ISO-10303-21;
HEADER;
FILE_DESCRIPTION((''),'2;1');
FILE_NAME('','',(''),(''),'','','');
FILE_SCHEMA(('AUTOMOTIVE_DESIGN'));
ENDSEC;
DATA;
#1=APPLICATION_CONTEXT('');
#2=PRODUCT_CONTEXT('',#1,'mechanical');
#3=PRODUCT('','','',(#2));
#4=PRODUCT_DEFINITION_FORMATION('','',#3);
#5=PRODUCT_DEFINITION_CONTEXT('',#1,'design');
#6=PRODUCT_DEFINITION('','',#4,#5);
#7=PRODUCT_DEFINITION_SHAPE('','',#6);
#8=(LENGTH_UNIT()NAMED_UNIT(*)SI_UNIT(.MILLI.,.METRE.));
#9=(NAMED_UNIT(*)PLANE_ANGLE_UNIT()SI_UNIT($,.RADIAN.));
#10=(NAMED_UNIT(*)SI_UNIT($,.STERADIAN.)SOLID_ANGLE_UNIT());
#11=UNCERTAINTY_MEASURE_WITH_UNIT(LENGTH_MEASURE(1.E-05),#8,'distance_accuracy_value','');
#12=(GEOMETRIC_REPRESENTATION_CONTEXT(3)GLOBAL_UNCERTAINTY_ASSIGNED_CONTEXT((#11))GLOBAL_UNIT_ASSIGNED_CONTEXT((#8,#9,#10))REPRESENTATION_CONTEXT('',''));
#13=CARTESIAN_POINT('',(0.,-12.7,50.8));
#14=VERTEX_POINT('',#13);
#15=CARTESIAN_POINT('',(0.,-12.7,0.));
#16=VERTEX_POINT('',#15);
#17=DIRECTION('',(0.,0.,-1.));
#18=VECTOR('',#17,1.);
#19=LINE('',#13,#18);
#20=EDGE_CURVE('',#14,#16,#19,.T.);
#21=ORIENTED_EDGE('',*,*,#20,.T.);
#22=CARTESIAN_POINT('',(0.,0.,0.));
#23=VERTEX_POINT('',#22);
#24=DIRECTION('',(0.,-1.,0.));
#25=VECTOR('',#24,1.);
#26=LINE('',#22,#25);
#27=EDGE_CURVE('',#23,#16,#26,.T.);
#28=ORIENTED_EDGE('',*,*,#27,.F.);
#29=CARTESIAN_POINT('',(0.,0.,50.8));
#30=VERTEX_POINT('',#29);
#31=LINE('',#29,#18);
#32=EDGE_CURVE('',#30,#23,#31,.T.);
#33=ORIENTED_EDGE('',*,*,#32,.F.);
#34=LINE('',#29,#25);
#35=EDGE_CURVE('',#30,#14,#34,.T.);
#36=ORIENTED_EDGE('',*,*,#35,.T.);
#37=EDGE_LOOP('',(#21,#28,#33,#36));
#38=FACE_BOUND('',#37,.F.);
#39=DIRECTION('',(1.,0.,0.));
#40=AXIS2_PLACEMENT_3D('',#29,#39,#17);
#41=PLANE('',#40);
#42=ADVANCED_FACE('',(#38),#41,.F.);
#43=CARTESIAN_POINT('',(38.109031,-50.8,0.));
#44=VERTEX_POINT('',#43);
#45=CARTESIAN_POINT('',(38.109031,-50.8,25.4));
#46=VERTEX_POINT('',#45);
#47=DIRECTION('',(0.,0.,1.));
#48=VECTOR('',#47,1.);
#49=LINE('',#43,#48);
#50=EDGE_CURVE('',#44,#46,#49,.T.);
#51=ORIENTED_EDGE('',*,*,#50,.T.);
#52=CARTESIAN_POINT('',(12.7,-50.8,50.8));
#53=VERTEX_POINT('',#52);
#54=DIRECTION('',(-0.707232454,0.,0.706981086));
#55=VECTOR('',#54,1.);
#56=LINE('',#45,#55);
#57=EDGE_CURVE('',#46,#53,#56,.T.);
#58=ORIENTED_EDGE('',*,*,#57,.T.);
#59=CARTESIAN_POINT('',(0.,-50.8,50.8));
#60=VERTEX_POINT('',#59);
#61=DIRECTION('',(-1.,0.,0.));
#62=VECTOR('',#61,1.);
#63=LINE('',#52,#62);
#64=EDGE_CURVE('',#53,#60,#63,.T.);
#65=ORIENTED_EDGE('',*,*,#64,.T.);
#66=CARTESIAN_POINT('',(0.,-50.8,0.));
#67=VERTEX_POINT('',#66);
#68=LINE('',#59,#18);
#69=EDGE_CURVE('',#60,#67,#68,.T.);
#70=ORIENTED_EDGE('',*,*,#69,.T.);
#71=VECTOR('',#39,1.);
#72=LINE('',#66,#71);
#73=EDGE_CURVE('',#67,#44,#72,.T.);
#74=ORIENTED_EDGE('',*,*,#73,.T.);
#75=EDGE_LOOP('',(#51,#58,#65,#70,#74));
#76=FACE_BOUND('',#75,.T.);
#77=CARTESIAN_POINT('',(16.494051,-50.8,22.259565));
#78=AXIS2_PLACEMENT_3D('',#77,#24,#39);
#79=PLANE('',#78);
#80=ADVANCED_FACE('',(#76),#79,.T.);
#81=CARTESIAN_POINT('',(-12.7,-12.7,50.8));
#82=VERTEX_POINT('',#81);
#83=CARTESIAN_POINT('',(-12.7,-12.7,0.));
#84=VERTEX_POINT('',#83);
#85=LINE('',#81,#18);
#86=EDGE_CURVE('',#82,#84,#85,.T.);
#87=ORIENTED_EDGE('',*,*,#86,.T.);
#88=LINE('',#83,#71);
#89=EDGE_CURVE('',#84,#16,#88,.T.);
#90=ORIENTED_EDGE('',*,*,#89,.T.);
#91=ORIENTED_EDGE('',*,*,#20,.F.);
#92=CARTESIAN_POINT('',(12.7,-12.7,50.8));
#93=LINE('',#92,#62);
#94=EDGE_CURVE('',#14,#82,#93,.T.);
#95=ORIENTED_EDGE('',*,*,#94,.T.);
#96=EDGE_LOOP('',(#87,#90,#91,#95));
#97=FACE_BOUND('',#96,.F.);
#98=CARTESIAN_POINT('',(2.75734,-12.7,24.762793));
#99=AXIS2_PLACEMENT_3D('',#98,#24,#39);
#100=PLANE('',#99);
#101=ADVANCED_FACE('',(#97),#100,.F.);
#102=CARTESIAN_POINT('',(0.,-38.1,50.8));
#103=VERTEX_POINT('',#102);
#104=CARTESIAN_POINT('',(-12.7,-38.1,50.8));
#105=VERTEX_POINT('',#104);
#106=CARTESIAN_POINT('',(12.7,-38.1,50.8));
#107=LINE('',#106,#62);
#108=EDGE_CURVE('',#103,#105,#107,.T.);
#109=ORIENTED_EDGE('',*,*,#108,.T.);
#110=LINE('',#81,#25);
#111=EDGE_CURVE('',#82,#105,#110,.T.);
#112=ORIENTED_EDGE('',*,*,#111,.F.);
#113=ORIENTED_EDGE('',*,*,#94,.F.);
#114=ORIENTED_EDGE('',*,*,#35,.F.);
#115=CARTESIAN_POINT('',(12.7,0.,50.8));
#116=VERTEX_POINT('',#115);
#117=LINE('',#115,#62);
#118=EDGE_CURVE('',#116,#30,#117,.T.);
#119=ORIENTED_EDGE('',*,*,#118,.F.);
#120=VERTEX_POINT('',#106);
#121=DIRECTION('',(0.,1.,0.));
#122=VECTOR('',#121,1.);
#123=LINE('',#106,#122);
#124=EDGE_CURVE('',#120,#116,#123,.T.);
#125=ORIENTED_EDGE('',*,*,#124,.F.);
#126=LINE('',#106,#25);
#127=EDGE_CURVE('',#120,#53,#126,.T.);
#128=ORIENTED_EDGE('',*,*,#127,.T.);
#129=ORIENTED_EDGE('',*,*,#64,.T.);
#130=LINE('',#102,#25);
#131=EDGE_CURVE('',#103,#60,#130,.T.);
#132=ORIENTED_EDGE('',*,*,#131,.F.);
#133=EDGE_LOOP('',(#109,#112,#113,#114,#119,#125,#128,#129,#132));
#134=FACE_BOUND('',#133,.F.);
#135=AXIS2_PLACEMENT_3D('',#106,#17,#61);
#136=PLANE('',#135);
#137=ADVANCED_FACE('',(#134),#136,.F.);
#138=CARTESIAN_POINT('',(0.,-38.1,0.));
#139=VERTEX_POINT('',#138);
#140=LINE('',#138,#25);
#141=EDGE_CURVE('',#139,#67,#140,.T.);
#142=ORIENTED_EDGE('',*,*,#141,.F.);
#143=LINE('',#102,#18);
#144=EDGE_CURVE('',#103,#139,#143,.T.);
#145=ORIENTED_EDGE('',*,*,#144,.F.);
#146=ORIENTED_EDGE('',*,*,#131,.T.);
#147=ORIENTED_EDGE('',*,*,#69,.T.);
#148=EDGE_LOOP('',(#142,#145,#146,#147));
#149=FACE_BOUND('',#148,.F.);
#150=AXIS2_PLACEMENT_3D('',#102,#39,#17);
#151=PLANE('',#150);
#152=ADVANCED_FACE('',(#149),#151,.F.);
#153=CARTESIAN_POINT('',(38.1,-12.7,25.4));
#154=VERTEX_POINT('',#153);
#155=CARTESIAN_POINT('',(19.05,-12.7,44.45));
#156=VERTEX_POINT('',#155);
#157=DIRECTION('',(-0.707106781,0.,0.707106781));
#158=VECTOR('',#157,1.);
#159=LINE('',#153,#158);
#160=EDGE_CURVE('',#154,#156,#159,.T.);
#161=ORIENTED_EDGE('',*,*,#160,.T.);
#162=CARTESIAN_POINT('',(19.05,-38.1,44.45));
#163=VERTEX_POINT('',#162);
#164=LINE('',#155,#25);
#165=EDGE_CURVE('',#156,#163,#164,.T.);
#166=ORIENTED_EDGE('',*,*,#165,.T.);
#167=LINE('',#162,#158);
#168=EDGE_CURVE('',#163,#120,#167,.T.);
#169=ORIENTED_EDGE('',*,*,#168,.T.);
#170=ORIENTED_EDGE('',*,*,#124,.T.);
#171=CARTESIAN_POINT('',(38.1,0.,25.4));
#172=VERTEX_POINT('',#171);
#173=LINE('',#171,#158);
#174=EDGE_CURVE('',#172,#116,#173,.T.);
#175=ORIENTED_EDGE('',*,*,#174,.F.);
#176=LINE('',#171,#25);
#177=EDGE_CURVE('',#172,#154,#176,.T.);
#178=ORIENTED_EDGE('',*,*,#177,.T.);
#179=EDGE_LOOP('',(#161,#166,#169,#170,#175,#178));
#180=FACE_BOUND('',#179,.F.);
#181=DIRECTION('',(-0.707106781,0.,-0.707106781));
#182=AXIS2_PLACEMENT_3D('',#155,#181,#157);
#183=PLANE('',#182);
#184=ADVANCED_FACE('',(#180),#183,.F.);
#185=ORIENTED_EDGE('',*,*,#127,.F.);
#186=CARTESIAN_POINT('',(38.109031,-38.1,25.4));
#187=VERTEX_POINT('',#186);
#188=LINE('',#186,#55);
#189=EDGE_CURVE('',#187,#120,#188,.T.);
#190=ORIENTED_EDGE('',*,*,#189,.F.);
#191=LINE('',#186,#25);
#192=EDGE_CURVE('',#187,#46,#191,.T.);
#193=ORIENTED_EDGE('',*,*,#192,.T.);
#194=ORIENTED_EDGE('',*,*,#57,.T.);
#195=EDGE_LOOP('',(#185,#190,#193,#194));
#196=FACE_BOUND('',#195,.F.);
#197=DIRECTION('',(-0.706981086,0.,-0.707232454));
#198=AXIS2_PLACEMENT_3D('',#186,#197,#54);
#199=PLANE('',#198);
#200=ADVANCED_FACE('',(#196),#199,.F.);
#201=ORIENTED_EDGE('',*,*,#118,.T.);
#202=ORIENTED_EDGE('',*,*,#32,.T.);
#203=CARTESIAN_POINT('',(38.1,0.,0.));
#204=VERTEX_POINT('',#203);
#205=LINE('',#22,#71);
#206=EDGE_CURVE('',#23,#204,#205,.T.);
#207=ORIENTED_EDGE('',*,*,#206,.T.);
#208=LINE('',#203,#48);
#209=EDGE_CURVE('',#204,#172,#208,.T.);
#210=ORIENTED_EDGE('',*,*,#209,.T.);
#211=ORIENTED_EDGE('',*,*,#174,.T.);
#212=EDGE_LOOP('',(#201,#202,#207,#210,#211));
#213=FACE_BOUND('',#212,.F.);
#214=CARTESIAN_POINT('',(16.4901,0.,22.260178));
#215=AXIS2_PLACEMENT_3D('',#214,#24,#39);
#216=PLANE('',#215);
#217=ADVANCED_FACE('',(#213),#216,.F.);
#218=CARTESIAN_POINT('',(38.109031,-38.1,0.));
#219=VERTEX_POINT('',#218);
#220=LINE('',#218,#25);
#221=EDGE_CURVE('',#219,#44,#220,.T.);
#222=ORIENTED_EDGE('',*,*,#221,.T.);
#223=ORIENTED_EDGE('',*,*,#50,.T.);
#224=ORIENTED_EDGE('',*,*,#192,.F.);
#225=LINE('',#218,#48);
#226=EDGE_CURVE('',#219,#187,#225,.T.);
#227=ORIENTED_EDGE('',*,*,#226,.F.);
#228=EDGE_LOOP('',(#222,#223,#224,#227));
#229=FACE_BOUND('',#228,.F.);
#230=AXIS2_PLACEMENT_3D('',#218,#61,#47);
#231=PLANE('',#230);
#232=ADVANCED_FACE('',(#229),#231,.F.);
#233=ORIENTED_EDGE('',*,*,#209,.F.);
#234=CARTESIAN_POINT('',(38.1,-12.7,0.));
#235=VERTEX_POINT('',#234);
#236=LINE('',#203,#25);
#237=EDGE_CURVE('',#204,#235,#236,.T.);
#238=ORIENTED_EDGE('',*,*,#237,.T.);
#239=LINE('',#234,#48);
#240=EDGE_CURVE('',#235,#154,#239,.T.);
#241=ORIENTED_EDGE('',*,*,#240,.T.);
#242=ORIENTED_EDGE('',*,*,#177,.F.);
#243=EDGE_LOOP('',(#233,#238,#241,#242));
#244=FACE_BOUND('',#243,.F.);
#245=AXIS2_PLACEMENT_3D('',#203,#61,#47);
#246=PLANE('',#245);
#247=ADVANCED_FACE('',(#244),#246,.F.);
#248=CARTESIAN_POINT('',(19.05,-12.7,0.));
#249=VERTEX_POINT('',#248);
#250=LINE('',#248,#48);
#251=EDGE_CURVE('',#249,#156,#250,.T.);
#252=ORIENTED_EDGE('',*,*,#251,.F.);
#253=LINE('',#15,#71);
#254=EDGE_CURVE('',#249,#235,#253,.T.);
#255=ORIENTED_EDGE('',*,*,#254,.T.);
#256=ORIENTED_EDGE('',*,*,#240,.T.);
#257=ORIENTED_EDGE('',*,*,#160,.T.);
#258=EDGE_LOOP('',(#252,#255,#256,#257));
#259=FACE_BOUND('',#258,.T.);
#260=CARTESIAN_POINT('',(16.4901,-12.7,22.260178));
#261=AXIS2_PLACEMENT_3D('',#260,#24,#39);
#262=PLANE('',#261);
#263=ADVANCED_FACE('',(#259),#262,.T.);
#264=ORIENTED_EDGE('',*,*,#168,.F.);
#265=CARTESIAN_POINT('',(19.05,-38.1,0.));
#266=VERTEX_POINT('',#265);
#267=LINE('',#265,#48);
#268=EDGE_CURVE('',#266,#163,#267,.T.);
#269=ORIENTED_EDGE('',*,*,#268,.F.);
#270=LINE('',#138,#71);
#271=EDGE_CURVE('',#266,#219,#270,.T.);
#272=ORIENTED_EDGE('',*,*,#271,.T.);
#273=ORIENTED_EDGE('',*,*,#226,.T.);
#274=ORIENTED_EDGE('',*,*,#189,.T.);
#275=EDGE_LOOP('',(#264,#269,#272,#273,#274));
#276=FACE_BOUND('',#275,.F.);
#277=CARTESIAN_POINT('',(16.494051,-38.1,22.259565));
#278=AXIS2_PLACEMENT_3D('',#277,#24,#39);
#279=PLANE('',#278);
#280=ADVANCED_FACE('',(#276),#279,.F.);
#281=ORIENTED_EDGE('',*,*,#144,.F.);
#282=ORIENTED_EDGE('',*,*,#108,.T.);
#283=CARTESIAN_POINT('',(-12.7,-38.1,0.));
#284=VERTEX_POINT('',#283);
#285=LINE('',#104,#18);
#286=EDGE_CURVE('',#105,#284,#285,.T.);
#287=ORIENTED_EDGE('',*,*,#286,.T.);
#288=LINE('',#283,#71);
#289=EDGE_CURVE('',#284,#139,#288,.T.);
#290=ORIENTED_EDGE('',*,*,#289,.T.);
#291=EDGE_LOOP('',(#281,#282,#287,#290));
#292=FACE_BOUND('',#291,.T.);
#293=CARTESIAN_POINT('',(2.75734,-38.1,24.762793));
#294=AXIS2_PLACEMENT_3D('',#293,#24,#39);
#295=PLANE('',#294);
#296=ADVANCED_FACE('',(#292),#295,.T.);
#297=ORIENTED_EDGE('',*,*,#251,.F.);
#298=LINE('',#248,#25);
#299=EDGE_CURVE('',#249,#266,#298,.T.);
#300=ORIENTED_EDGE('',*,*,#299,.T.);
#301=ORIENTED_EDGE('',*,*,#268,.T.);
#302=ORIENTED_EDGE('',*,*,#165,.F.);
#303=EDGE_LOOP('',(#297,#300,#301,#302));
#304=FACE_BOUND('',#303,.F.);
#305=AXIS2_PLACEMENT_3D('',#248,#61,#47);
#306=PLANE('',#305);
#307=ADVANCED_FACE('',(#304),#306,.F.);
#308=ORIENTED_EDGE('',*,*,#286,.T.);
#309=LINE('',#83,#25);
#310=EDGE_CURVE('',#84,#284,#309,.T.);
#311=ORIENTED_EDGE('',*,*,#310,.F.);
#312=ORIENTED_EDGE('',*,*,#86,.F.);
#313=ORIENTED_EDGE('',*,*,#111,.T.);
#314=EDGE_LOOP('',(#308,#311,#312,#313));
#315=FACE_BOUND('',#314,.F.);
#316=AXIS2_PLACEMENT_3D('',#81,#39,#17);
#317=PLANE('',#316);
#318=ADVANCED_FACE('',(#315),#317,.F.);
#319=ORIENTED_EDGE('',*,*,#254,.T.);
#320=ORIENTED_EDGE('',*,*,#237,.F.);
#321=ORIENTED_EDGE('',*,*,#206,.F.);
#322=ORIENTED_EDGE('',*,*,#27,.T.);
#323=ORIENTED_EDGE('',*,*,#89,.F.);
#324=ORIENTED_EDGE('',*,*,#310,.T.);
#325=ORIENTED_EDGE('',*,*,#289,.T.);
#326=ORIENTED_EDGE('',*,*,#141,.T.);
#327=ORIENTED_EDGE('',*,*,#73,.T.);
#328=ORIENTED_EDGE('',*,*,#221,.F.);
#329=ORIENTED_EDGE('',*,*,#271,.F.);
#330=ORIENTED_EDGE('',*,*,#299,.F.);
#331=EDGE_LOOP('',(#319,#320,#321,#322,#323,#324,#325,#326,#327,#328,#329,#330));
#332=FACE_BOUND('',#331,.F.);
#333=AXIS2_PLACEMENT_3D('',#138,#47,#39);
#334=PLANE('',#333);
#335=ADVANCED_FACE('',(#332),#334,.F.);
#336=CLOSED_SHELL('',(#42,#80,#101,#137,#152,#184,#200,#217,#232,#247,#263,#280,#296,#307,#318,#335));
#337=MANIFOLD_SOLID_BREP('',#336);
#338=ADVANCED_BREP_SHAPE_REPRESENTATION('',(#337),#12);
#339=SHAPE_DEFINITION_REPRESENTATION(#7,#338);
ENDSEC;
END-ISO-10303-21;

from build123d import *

# Parameters (mm, degrees)
F1_DEPTH = 12.7
F3_DEPTH = 25.4
F5_DEPTH = 12.7


with BuildPart() as f1:
    # F0 (on Front) → F1 (new body)
    with BuildSketch(Plane.XZ):
        Polygon((0, 50.8), (0, 0), (38.1, 0), (38.1, 25.4), (12.7, 50.8), align=None)
    extrude(amount=F1_DEPTH)

    # F2 (on face) → F3 (join)
    with BuildSketch(Plane.XZ.offset(12.7)):
        Polygon((-12.7, 0), (0, 0), (19.05, 0), (19.05, 44.45), (12.7, 50.8), (0, 50.8), (-12.7, 50.8), align=None)
    extrude(amount=F3_DEPTH)

    # F4 (on face) → F5 (join)
    with BuildSketch(Plane.XZ.offset(38.1)):
        Polygon((0, 50.8), (0, 0), (38.109031, 0), (38.109031, 25.4), (12.7, 50.8), align=None)
    extrude(amount=F5_DEPTH)


solid = f1.part
